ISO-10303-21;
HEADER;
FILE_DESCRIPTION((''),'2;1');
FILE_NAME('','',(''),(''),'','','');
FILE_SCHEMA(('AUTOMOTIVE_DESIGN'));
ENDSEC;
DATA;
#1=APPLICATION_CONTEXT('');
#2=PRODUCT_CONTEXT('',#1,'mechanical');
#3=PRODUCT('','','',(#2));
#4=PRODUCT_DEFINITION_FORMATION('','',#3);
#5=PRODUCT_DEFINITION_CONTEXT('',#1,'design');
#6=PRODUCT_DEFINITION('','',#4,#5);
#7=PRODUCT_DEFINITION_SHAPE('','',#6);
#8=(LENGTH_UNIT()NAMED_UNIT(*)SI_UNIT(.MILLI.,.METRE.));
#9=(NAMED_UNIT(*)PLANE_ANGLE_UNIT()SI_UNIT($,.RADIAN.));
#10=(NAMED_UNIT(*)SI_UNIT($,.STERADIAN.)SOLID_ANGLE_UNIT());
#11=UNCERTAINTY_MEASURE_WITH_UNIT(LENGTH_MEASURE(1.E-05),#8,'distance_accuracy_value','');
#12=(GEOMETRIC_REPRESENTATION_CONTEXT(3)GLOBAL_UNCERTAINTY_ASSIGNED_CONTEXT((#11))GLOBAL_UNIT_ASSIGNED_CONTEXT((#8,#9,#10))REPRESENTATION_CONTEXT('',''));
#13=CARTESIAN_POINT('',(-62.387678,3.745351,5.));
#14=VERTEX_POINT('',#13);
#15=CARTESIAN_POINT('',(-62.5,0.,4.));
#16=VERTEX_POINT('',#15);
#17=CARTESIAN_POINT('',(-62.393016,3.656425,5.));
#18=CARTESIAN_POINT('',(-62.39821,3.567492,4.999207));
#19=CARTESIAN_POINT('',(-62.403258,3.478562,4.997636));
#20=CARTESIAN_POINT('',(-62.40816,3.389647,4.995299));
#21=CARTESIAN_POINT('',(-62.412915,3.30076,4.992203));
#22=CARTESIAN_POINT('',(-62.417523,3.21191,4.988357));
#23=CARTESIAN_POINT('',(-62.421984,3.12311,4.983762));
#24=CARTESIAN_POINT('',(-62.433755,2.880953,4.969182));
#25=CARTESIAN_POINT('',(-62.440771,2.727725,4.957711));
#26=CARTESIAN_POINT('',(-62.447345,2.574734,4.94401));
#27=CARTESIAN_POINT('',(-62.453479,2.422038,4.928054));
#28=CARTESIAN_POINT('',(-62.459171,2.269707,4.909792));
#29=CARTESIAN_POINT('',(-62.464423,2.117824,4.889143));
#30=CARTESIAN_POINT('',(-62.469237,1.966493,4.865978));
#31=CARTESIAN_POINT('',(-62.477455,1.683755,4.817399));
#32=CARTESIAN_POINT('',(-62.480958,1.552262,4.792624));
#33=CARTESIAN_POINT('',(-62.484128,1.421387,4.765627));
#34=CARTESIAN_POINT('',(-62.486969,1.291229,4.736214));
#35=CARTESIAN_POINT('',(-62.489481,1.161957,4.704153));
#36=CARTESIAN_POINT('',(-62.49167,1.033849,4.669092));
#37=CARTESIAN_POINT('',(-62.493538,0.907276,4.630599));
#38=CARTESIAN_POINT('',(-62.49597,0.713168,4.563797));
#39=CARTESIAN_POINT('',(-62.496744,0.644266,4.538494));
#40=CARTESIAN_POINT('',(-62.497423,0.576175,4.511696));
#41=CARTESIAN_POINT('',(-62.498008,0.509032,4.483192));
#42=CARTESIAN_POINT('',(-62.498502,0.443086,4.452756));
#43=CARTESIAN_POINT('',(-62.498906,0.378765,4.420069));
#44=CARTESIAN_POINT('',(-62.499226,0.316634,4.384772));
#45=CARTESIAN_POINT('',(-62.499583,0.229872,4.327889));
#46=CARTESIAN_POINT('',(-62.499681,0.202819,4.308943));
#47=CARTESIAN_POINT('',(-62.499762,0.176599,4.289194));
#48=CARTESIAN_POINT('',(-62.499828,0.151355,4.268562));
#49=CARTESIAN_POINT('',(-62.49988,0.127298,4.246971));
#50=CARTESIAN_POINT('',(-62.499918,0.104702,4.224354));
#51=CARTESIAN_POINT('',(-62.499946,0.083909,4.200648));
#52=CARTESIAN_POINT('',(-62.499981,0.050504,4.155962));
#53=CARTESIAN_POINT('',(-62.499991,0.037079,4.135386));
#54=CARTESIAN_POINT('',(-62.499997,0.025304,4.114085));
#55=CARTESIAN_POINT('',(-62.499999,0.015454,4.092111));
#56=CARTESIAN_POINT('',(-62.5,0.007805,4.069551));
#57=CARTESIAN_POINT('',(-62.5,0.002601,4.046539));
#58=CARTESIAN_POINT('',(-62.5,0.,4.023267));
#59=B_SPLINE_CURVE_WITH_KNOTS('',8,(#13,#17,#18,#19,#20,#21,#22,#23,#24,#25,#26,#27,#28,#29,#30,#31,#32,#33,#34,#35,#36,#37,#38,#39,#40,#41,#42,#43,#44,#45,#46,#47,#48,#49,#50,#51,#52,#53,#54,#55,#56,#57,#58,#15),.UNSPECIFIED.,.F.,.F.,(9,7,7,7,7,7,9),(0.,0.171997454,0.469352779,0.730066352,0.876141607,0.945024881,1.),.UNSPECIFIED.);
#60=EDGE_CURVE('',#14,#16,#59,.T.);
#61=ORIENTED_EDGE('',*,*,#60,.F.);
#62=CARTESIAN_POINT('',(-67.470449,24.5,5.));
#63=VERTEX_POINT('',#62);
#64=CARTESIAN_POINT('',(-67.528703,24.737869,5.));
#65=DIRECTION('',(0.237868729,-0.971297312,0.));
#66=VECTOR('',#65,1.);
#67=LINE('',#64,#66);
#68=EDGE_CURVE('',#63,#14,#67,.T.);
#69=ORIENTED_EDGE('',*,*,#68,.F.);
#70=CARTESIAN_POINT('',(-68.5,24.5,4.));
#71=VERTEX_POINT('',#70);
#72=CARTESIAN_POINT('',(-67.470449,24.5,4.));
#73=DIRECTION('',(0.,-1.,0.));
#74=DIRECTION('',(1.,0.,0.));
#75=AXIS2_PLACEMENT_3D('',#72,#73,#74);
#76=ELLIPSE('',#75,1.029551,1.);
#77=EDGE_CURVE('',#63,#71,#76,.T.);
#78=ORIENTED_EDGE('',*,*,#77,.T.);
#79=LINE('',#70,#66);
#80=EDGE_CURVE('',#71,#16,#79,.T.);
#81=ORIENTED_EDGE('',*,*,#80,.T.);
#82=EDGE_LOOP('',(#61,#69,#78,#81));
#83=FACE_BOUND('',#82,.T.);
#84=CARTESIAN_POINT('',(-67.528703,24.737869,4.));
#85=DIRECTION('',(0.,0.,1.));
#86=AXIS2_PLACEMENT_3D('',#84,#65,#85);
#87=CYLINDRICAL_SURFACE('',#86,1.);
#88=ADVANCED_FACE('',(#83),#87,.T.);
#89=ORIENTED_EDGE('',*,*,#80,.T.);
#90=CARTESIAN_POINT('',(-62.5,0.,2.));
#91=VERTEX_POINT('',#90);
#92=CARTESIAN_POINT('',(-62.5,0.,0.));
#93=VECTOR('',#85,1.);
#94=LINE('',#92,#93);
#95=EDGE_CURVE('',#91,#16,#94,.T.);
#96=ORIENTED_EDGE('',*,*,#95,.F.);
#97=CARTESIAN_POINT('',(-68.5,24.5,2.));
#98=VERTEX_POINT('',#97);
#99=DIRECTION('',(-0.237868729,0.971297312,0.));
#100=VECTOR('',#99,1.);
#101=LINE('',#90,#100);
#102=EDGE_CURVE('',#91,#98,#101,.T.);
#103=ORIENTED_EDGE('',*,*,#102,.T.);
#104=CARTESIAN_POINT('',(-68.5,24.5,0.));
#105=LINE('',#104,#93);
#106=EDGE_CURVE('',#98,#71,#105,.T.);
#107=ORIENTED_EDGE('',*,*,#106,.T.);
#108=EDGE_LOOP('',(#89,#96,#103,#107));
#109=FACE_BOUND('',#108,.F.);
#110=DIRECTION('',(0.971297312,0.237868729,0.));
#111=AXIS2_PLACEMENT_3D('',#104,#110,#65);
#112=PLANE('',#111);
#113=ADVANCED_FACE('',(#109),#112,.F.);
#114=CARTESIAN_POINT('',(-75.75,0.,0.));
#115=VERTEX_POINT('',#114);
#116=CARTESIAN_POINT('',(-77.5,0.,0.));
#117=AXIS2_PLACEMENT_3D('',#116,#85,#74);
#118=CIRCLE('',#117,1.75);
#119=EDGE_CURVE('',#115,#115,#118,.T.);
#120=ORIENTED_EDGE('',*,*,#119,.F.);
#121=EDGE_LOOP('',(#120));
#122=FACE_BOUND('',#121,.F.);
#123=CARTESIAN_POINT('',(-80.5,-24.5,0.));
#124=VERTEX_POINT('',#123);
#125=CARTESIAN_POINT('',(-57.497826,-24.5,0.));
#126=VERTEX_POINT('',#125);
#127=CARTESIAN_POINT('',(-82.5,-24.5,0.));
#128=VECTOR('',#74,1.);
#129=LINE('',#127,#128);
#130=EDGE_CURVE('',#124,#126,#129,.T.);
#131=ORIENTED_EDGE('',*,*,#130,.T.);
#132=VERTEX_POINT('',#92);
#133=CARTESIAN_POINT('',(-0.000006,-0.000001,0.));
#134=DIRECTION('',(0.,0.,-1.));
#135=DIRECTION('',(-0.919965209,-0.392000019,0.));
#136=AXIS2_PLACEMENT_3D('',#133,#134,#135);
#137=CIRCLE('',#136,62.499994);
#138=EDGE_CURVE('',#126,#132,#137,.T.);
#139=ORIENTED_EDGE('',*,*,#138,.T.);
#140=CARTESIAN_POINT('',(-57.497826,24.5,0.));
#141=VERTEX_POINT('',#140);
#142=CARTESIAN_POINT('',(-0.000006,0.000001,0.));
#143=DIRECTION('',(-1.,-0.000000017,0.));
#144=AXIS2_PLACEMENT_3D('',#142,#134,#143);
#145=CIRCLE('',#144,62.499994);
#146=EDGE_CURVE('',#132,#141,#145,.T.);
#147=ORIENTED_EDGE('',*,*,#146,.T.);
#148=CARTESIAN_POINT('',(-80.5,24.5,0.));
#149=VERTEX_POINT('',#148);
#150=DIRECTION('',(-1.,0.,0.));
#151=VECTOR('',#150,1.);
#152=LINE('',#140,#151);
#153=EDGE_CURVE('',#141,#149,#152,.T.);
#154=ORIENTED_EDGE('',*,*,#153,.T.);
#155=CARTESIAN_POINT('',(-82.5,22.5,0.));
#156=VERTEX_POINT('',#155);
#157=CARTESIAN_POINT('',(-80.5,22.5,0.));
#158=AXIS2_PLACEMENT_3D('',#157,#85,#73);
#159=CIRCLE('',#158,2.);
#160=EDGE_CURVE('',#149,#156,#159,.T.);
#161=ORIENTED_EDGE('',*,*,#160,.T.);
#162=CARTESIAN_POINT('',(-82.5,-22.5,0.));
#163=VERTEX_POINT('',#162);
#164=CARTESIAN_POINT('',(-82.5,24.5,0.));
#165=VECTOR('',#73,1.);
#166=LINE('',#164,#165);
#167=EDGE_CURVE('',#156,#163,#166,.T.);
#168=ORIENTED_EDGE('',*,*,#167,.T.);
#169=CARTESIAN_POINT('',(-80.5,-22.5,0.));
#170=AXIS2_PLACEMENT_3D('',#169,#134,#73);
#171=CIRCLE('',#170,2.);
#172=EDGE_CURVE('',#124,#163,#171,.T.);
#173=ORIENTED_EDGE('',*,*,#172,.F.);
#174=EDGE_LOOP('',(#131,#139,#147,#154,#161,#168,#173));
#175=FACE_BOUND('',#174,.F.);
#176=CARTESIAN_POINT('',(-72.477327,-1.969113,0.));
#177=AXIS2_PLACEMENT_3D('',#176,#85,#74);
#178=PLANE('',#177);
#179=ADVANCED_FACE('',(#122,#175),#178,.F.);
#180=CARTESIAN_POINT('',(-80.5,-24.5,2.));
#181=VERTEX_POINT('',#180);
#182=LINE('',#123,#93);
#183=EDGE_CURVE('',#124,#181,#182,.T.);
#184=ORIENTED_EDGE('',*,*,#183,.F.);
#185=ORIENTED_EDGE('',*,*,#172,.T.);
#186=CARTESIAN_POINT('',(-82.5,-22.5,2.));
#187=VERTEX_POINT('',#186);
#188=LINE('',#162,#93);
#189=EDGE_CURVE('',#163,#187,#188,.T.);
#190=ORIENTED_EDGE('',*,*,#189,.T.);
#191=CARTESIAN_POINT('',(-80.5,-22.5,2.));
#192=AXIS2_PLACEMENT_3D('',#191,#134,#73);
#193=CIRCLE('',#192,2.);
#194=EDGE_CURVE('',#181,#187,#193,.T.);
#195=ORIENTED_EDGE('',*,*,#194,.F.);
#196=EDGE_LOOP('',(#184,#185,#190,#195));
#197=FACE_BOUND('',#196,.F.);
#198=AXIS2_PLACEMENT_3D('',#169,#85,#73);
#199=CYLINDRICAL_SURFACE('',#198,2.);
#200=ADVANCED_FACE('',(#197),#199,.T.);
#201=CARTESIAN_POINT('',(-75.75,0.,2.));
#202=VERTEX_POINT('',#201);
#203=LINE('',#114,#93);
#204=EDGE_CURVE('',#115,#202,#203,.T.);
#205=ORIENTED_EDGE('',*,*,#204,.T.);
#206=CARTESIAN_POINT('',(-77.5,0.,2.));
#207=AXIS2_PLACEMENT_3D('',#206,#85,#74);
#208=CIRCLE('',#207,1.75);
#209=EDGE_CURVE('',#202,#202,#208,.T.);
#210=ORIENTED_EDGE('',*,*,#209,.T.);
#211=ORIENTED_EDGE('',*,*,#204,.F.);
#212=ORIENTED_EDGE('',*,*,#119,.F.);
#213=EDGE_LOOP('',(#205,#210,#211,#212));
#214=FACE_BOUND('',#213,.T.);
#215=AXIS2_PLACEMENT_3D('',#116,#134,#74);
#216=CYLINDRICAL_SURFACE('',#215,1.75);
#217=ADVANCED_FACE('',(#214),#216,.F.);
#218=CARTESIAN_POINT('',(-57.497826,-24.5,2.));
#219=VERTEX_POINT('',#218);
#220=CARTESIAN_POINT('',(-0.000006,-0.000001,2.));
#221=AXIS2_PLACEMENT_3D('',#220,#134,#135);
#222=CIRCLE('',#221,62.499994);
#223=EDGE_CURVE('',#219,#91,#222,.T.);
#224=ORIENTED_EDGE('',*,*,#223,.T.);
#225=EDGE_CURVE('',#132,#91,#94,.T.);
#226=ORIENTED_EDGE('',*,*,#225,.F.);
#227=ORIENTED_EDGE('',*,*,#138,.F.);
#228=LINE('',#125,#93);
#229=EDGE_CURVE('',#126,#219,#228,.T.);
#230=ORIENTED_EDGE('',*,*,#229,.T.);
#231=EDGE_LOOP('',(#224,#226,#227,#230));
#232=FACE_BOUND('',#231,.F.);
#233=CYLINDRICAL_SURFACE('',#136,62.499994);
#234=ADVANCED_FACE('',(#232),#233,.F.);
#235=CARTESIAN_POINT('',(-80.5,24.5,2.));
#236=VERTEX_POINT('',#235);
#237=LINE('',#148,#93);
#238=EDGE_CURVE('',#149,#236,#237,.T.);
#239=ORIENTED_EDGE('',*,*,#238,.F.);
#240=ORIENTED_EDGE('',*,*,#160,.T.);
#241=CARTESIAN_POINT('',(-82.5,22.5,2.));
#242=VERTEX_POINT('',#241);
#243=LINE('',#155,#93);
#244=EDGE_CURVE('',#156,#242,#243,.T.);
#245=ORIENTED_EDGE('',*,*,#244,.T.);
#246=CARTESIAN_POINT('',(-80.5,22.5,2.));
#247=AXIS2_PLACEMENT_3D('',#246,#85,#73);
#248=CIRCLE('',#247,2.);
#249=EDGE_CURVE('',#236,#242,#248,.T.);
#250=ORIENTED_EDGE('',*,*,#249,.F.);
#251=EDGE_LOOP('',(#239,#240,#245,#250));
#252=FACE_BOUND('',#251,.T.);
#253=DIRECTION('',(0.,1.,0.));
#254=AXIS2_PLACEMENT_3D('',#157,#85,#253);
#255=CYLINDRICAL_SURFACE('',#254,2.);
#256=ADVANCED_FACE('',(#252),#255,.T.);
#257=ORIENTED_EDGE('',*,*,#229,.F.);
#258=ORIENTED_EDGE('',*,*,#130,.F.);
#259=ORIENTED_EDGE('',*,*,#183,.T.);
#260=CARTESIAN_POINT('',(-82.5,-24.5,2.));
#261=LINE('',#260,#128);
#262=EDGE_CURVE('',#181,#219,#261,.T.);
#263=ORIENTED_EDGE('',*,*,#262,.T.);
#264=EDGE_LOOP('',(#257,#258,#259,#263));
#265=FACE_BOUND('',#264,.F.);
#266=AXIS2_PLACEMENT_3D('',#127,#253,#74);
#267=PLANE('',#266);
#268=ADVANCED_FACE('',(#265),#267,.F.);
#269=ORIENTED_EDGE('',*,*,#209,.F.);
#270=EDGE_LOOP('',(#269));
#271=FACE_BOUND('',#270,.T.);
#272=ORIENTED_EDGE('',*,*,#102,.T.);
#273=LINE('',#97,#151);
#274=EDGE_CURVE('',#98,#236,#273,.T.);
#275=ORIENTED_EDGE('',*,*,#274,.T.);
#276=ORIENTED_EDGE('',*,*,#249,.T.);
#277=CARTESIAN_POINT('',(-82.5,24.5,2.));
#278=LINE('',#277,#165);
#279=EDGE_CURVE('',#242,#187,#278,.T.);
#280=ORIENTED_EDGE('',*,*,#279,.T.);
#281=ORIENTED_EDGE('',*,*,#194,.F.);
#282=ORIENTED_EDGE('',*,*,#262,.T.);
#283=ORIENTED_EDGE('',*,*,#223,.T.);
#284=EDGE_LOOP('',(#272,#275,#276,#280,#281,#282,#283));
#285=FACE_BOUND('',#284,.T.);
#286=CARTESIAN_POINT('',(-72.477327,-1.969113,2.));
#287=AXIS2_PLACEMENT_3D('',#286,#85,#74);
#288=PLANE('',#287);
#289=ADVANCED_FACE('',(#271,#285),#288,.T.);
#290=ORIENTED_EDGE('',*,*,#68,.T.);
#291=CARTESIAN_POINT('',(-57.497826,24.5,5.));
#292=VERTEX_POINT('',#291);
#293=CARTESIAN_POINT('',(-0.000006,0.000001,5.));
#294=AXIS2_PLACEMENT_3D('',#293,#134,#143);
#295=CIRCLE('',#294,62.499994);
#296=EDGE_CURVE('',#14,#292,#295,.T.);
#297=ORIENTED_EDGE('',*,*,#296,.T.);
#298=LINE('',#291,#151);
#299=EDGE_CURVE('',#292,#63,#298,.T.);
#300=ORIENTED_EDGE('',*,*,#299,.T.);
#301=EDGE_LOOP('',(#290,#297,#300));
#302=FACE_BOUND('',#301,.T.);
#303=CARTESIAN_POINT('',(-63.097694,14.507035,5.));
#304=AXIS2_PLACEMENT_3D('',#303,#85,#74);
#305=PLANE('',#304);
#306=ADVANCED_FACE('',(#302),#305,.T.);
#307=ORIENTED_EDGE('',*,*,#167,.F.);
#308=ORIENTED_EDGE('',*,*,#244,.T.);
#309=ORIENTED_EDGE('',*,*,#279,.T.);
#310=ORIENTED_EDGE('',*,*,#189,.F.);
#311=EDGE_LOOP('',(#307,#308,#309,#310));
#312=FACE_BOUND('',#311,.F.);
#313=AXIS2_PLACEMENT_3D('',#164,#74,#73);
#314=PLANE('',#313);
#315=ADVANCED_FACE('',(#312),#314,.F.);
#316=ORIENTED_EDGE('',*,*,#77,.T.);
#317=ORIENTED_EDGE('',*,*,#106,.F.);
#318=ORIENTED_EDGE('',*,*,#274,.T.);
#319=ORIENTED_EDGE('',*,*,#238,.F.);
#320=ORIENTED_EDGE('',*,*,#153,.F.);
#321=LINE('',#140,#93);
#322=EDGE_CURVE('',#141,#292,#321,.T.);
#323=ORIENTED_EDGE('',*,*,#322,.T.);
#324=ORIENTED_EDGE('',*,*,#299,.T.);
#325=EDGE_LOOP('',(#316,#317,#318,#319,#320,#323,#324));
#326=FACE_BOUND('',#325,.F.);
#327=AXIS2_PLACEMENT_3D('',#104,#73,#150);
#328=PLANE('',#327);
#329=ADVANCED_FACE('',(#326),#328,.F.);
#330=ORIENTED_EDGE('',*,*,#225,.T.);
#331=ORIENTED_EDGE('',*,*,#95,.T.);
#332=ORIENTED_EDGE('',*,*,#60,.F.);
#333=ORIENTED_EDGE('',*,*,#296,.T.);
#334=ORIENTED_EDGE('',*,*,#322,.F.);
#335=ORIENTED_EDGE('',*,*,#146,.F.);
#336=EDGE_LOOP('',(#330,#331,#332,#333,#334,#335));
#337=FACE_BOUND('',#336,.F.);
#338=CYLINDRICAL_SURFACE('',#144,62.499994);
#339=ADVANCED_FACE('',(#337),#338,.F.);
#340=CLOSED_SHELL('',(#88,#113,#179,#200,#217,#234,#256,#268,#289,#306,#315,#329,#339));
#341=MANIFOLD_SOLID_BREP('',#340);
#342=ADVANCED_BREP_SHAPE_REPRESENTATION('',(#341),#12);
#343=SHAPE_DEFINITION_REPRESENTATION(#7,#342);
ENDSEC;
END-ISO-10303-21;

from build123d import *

# Parameters (mm, degrees)
F1_DEPTH = 5
F0_R     = 1.75
F2_DEPTH = 2
F3_R     = 2
F4_R     = 1


with BuildPart() as f1:
    # F0 (on Top) → F1 (new body)
    with BuildSketch(Plane.XY):
        with BuildLine():
            Line((-57.497826, 24.5), (-68.5, 24.5))
            Line((-68.5, 24.5), (-62.5, 0))
            ThreePointArc((-62.5, 0), (-61.236689, 12.502717), (-57.497826, 24.5))
        make_face()
    extrude(amount=F1_DEPTH)

    # F0 (on Top) → F2 (join)
    with BuildSketch(Plane.XY):
        with BuildLine():
            Line((-68.5, 24.5), (-82.5, 24.5))
            Line((-82.5, 24.5), (-82.5, -24.5))
            Line((-82.5, -24.5), (-57.497826, -24.5))
            ThreePointArc((-57.497826, -24.5), (-61.236689, -12.502717), (-62.5, 0))
            Line((-62.5, 0), (-68.5, 24.5))
        make_face()
        with Locations((-77.5, 0)):
            Circle(F0_R, mode=Mode.SUBTRACT)
    extrude(amount=F2_DEPTH)

    # F3
    f3_edges = [f1.edges().sort_by_distance(p)[0] for p in [
        (-82.5, -24.5, 1),
        (-82.5, 24.5, 1),
    ]]
    fillet(f3_edges, radius=F3_R)

    # F4
    f4_edges = [f1.edges().sort_by_distance(p)[0] for p in [
        (-65.5, 12.25, 5),
    ]]
    fillet(f4_edges, radius=F4_R)


solid = f1.part
